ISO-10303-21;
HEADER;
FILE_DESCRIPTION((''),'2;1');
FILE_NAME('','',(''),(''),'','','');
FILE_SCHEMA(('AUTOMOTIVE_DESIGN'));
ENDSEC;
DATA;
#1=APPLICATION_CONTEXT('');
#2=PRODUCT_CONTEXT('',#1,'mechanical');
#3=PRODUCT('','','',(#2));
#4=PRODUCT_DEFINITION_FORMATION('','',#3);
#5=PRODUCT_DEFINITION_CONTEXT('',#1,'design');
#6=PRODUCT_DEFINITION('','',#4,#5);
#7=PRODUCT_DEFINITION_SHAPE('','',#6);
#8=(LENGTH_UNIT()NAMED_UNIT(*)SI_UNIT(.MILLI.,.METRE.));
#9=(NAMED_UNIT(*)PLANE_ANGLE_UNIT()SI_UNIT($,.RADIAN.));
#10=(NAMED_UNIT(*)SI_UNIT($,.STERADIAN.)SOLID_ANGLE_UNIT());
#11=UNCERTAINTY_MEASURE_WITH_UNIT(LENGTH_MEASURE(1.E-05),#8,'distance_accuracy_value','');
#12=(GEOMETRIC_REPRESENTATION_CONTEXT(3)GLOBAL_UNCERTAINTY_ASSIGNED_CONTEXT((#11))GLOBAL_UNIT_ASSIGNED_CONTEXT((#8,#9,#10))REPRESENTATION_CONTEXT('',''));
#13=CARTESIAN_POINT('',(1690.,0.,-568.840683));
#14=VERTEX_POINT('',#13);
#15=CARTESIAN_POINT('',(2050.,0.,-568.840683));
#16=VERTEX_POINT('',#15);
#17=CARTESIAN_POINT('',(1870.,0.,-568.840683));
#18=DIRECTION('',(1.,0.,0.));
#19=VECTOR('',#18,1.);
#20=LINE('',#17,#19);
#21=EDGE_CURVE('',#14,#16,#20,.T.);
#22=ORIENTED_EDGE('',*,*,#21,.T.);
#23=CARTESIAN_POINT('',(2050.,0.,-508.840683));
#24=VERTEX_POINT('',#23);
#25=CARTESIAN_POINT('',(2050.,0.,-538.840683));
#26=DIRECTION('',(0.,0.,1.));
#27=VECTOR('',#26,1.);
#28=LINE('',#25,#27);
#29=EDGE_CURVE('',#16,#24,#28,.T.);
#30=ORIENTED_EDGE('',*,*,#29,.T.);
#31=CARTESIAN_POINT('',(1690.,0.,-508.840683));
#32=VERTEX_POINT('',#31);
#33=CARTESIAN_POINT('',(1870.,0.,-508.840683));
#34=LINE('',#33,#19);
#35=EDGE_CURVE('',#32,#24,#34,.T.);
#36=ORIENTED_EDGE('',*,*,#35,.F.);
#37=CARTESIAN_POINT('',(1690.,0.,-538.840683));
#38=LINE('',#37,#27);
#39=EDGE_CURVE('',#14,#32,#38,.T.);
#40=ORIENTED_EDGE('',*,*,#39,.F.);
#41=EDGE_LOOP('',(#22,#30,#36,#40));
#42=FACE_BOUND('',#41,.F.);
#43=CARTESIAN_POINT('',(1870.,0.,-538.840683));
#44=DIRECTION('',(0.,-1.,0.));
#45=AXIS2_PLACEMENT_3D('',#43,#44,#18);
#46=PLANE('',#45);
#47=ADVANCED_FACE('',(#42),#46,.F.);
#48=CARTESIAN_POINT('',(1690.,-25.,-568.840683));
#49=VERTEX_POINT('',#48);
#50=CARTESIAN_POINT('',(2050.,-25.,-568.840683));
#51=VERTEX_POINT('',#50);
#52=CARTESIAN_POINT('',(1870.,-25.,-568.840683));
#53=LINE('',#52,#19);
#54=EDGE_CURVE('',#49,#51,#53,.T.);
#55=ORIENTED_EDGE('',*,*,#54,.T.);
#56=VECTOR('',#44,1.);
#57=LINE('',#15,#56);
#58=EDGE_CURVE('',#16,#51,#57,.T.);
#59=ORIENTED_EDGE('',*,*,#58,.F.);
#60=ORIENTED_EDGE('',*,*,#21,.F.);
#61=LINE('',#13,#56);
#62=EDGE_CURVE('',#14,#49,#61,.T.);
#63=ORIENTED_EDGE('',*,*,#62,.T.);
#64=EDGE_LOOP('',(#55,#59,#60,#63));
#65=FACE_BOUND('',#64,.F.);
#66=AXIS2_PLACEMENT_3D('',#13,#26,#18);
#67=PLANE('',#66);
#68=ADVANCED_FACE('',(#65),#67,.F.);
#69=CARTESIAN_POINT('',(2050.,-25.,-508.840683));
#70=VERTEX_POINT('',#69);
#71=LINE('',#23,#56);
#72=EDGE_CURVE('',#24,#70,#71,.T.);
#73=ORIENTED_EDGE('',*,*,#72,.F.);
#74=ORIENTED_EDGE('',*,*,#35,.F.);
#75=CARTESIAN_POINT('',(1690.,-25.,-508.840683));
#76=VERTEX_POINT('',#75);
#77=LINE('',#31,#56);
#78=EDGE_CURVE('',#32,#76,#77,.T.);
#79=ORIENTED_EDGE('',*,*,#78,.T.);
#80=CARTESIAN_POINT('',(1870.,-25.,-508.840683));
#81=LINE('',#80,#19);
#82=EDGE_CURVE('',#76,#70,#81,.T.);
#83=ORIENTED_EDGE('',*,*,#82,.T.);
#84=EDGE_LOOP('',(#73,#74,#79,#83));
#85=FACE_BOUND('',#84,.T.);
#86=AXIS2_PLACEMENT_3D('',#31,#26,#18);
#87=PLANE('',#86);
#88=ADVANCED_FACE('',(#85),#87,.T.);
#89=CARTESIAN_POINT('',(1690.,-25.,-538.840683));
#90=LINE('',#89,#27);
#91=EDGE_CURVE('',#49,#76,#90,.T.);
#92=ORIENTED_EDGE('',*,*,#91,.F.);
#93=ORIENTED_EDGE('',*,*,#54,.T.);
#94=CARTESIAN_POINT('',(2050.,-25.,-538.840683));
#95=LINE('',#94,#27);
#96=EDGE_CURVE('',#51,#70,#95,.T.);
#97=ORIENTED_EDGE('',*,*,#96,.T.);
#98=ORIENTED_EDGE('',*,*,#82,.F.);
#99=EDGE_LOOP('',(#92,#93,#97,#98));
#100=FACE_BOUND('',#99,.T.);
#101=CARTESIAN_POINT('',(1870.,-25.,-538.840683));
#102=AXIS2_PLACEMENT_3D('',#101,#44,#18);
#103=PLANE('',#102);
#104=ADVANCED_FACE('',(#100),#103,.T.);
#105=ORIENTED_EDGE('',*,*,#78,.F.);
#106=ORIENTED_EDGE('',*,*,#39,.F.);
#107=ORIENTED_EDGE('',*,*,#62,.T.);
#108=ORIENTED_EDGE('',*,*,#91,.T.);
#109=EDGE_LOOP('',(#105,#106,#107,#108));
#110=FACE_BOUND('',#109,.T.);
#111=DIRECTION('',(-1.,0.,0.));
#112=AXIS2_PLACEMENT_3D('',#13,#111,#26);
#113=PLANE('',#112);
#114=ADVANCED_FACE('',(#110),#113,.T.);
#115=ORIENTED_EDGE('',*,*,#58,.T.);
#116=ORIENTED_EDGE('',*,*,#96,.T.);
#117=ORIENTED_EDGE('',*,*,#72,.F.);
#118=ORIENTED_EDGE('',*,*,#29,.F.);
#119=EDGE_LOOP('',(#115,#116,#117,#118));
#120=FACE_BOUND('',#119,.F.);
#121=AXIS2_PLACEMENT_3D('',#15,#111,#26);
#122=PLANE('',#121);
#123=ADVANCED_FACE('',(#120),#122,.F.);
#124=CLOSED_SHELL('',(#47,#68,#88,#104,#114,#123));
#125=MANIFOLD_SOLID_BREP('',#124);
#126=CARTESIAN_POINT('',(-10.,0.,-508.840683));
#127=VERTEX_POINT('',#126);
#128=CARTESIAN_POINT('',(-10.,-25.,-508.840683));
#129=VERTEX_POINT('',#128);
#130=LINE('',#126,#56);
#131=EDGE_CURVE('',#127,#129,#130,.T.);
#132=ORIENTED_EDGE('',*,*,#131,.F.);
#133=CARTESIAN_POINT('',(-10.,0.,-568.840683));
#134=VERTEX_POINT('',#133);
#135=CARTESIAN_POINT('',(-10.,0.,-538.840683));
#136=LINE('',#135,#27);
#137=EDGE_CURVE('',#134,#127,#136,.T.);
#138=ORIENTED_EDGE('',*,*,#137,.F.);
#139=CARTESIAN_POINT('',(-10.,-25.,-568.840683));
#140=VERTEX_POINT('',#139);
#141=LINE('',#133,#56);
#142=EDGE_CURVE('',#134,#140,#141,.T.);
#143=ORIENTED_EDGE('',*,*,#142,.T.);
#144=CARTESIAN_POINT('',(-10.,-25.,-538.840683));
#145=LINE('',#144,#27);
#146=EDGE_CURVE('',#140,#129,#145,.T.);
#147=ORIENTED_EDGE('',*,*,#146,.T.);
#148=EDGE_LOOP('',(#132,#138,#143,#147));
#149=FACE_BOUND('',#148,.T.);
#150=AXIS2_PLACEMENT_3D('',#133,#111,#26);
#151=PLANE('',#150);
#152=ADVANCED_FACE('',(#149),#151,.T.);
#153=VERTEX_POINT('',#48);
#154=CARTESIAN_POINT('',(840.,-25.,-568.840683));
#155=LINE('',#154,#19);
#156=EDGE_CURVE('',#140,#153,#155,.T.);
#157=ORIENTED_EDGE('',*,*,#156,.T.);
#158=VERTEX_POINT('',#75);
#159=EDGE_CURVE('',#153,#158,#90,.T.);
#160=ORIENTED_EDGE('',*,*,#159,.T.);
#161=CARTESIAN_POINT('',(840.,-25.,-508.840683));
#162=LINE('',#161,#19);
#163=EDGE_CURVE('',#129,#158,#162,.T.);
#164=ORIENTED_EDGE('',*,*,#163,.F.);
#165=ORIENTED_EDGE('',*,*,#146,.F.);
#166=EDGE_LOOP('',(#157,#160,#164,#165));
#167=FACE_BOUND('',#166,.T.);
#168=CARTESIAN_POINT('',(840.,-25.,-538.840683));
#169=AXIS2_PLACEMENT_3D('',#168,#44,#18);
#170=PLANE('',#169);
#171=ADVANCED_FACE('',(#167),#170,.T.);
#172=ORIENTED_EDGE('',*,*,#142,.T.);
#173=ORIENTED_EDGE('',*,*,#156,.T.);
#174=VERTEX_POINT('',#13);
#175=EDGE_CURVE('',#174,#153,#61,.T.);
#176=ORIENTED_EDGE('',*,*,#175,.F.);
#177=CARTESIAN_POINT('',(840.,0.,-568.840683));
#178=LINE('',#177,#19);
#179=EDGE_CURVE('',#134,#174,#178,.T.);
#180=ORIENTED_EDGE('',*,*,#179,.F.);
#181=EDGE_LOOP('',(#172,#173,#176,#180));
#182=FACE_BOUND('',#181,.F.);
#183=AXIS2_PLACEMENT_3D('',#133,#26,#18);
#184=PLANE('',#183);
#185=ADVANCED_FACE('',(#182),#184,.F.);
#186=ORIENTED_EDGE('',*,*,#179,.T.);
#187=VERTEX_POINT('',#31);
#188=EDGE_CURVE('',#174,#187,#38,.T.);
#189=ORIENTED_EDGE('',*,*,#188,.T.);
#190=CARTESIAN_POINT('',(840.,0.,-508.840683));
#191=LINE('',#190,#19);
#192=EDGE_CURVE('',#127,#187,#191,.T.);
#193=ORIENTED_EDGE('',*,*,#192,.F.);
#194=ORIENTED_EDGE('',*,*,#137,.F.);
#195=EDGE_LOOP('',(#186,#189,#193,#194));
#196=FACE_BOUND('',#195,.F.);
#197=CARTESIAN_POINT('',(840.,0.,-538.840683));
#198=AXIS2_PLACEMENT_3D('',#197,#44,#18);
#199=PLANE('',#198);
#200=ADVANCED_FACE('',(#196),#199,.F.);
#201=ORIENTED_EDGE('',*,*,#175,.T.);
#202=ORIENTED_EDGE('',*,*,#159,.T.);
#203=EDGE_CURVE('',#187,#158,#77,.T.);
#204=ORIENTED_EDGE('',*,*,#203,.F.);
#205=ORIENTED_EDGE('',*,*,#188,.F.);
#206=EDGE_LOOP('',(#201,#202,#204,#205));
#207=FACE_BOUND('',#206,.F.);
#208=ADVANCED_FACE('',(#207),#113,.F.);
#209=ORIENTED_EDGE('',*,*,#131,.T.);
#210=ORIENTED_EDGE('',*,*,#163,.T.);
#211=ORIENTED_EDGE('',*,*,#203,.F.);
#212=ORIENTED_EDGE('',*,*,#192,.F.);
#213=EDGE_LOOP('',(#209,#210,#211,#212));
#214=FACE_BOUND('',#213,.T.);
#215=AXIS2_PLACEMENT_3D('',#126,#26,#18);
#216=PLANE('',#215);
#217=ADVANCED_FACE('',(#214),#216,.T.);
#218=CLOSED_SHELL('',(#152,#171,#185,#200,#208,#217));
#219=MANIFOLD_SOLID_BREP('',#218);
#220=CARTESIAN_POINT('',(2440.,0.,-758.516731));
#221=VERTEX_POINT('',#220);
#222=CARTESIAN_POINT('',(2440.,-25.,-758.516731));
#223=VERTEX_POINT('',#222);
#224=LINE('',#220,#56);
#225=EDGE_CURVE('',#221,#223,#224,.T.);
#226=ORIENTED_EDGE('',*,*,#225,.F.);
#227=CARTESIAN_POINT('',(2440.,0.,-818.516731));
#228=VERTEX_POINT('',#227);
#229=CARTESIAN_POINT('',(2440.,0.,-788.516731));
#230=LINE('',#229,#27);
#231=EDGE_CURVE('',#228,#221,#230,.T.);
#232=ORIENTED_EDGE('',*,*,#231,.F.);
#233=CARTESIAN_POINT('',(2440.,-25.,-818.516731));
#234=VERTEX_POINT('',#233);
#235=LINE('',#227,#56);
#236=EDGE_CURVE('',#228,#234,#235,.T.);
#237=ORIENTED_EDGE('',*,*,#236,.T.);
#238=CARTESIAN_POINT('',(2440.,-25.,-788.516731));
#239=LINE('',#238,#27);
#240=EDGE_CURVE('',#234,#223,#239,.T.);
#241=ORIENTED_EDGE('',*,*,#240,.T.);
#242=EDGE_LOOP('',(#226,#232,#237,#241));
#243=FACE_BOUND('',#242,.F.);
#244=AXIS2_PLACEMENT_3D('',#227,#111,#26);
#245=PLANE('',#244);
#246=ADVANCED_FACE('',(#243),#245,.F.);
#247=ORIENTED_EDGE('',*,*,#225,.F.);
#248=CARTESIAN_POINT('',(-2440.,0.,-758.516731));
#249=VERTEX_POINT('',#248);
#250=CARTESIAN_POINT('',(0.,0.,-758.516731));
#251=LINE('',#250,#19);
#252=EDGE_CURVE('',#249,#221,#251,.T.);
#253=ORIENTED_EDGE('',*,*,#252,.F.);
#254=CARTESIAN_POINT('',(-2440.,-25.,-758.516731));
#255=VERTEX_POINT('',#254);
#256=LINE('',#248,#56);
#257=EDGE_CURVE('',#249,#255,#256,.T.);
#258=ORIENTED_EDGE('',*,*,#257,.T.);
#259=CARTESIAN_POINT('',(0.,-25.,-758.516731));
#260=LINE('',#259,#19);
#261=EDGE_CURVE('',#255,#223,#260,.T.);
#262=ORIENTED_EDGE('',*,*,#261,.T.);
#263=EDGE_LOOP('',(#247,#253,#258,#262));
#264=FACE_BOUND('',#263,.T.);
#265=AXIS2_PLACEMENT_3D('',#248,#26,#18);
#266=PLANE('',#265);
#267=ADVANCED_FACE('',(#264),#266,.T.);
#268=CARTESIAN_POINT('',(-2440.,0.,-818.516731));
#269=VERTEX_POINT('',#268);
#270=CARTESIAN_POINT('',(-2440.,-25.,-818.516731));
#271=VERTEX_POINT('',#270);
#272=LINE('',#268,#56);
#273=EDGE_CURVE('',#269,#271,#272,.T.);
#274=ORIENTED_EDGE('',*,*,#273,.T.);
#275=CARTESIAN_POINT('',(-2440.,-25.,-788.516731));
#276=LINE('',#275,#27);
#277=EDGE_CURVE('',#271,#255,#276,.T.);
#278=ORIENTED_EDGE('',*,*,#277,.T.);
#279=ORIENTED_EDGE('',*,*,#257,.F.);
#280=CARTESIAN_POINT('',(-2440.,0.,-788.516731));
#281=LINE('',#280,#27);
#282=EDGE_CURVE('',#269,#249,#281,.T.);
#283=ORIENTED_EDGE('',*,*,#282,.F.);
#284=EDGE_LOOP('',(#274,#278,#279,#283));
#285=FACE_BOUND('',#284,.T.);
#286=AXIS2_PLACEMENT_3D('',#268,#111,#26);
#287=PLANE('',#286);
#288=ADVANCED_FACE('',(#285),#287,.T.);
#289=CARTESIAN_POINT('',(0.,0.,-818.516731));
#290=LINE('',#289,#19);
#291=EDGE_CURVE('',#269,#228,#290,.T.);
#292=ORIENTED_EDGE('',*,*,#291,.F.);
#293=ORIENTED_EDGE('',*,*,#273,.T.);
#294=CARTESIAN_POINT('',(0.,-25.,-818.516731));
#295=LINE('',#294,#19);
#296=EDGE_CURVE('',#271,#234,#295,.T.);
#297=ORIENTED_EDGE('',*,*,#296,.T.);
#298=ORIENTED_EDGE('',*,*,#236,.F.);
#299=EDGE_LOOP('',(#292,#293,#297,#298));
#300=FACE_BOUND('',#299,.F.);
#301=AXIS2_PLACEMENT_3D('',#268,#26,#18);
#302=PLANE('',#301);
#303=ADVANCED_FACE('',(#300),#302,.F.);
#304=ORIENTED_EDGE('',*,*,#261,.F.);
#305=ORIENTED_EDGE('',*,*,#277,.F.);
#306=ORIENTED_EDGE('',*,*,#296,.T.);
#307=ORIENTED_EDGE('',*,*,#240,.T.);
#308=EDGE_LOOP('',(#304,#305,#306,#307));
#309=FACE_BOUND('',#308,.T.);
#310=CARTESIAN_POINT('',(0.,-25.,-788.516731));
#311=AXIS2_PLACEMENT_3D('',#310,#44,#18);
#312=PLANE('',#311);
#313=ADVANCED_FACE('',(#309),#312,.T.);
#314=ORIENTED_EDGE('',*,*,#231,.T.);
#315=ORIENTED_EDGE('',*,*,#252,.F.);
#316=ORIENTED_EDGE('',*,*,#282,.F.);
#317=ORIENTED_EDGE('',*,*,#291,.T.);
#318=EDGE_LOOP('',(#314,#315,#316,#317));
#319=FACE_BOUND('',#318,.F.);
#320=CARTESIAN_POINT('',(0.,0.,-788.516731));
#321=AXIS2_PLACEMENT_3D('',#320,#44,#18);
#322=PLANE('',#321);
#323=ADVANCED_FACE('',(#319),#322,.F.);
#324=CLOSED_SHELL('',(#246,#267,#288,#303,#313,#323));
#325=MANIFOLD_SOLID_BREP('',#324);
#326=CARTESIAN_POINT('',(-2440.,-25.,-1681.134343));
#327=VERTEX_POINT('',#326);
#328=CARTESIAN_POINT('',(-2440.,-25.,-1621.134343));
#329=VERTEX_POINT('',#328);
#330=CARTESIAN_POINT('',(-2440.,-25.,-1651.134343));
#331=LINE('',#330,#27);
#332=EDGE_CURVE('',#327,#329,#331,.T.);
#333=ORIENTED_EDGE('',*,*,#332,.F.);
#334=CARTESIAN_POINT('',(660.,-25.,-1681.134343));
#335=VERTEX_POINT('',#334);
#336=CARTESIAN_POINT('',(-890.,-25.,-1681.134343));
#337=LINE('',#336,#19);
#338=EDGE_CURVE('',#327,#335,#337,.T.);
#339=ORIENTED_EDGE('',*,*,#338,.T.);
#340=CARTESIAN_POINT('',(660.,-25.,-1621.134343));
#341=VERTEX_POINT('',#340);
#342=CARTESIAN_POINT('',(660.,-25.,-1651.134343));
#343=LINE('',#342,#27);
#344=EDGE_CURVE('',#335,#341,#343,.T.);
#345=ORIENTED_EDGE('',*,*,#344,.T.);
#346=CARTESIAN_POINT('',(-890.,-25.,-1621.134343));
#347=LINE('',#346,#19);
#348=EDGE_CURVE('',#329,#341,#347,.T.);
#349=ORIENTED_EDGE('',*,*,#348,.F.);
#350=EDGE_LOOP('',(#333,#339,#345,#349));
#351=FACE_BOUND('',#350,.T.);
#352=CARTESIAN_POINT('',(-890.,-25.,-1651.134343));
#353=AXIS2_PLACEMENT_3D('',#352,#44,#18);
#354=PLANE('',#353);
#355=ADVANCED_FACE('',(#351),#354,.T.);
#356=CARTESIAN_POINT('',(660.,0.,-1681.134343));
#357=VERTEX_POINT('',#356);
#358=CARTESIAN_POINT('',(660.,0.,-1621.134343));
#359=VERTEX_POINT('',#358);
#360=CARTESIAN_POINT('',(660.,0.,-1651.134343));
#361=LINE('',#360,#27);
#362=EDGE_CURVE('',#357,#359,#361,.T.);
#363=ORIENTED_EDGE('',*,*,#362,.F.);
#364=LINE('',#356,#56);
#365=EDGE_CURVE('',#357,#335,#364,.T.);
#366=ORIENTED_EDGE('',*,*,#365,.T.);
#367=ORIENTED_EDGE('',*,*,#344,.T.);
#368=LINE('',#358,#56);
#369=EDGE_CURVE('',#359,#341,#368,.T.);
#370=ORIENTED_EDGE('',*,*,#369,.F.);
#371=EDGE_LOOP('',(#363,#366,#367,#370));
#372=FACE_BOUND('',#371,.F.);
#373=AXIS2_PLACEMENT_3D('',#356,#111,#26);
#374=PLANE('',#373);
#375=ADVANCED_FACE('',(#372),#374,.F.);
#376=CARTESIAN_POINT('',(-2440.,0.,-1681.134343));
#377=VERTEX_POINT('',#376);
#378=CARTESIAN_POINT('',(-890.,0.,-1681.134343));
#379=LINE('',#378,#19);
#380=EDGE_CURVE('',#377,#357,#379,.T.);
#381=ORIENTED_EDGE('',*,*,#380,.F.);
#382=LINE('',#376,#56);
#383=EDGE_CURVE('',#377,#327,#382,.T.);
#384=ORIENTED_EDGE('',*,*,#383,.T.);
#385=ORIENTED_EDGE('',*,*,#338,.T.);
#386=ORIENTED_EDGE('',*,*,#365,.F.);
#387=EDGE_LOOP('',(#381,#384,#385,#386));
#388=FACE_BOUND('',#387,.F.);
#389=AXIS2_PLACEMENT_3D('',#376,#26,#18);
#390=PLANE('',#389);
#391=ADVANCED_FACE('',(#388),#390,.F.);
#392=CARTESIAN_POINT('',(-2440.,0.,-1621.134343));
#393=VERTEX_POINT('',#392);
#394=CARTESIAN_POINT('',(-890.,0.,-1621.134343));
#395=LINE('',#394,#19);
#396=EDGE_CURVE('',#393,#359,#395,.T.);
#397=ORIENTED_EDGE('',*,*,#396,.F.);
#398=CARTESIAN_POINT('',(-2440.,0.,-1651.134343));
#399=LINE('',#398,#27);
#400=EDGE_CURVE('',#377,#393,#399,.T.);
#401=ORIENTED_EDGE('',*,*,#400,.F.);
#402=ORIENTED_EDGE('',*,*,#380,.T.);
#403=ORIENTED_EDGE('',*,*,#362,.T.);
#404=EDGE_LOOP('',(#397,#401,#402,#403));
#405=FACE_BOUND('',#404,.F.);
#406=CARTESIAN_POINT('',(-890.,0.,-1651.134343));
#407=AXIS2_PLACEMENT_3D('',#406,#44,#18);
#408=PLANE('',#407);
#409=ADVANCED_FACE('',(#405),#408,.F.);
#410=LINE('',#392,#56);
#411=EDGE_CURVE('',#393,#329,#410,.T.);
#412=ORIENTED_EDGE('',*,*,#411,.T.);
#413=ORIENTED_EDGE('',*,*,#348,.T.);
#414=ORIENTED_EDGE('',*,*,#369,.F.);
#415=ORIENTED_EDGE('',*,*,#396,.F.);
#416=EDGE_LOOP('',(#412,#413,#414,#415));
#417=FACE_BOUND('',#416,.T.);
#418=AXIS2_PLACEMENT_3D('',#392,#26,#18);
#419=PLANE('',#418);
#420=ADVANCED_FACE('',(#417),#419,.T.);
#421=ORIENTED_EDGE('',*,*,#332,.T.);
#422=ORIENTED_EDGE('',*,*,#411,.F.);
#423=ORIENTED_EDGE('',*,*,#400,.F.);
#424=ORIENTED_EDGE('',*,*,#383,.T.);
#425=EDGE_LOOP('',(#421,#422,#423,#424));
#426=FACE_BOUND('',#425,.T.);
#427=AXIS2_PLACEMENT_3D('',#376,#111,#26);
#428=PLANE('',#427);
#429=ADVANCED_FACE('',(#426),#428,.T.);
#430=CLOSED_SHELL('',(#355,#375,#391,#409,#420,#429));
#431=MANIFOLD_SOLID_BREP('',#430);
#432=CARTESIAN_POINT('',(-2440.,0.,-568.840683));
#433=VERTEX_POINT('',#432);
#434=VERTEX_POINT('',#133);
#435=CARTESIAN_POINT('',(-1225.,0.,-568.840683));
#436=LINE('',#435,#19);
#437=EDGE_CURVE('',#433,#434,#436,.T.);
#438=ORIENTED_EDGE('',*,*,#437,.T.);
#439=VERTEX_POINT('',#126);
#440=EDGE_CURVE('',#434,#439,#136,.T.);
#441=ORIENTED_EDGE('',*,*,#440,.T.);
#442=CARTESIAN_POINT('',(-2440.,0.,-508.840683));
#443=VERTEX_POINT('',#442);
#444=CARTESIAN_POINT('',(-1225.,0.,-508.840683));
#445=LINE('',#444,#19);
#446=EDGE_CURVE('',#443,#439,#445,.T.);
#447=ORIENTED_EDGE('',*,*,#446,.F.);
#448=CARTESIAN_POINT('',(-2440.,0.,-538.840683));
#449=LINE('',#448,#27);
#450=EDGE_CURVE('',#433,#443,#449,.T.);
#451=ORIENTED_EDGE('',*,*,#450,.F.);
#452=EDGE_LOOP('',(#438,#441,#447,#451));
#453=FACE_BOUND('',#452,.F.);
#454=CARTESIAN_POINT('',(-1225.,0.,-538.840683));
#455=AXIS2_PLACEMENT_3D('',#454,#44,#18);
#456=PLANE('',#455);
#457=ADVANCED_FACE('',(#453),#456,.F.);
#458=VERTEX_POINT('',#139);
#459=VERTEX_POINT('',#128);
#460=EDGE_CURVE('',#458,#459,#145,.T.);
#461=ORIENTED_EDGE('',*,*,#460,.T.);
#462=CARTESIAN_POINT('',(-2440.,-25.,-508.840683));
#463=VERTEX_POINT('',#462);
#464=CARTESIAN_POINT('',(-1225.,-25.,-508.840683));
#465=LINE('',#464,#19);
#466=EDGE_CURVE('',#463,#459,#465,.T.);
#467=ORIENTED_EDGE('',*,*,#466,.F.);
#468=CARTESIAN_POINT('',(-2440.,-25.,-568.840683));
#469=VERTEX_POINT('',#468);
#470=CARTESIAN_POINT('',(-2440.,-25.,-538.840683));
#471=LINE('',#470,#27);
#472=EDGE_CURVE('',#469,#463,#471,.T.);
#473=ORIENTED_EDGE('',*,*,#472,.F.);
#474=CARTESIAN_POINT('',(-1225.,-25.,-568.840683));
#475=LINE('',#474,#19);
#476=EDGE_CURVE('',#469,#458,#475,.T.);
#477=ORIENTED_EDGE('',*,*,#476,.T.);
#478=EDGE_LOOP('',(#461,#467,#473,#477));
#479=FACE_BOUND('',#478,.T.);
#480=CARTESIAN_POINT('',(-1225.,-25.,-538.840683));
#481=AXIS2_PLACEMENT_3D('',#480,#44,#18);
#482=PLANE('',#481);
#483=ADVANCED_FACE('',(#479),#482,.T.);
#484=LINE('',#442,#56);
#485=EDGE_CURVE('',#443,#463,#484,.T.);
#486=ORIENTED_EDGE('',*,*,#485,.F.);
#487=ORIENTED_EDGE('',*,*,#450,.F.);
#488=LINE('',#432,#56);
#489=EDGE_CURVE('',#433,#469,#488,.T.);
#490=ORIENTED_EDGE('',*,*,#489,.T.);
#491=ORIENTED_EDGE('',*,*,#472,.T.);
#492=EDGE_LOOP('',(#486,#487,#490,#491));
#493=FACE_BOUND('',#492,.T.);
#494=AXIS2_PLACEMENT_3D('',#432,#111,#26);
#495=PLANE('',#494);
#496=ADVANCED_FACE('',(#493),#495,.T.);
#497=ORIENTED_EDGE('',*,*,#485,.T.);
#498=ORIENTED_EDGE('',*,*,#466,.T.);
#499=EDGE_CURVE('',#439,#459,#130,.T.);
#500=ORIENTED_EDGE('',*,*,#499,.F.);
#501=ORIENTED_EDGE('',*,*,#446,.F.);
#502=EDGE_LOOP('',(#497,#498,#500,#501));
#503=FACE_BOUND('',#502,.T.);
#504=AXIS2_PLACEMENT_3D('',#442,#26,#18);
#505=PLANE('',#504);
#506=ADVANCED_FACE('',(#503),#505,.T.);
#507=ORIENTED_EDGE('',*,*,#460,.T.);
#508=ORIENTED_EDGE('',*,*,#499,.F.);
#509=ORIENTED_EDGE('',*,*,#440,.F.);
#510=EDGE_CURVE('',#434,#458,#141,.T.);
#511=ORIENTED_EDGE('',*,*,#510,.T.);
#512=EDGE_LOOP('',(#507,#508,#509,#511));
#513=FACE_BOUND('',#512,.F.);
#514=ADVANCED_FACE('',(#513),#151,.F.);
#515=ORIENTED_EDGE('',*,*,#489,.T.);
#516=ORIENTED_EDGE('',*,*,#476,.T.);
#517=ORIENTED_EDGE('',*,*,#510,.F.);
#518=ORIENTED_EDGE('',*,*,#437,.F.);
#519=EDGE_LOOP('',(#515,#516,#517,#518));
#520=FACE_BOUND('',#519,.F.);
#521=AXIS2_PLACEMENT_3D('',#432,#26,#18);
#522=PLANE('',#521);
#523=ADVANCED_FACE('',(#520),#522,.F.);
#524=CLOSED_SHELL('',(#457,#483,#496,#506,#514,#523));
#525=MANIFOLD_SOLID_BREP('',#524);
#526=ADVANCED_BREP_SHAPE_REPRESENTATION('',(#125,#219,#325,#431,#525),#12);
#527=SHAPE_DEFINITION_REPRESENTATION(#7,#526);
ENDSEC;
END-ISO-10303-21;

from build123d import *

# Parameters (mm, degrees)
F0_W     = 2430
F0_H     = 60
F0_W_2   = 360
F0_W_3   = 3100
F1_DEPTH = 25
F0_W_4   = 1700
F0_W_5   = 4880
F2_DEPTH = 25


with BuildPart() as f1:
    # F0 (on Front) → F1 (new body)
    with BuildSketch(Plane.XZ):
        with Locations((-1225, -538.840683)):
            Rectangle(F0_W, F0_H)
        with Locations((1870, -538.840683)):
            Rectangle(F0_W_2, F0_H)
        with Locations((-890, -1651.134343)):
            Rectangle(F0_W_3, F0_H)
    extrude(amount=F1_DEPTH)


with BuildPart() as f2:
    # F0 (on Front) → F2 (new body)
    with BuildSketch(Plane.XZ):
        with Locations((840, -538.840683)):
            Rectangle(F0_W_4, F0_H)
        with Locations((0, -788.516731)):
            Rectangle(F0_W_5, F0_H)
    extrude(amount=F2_DEPTH)


solid = Compound([f1.part, f2.part])
